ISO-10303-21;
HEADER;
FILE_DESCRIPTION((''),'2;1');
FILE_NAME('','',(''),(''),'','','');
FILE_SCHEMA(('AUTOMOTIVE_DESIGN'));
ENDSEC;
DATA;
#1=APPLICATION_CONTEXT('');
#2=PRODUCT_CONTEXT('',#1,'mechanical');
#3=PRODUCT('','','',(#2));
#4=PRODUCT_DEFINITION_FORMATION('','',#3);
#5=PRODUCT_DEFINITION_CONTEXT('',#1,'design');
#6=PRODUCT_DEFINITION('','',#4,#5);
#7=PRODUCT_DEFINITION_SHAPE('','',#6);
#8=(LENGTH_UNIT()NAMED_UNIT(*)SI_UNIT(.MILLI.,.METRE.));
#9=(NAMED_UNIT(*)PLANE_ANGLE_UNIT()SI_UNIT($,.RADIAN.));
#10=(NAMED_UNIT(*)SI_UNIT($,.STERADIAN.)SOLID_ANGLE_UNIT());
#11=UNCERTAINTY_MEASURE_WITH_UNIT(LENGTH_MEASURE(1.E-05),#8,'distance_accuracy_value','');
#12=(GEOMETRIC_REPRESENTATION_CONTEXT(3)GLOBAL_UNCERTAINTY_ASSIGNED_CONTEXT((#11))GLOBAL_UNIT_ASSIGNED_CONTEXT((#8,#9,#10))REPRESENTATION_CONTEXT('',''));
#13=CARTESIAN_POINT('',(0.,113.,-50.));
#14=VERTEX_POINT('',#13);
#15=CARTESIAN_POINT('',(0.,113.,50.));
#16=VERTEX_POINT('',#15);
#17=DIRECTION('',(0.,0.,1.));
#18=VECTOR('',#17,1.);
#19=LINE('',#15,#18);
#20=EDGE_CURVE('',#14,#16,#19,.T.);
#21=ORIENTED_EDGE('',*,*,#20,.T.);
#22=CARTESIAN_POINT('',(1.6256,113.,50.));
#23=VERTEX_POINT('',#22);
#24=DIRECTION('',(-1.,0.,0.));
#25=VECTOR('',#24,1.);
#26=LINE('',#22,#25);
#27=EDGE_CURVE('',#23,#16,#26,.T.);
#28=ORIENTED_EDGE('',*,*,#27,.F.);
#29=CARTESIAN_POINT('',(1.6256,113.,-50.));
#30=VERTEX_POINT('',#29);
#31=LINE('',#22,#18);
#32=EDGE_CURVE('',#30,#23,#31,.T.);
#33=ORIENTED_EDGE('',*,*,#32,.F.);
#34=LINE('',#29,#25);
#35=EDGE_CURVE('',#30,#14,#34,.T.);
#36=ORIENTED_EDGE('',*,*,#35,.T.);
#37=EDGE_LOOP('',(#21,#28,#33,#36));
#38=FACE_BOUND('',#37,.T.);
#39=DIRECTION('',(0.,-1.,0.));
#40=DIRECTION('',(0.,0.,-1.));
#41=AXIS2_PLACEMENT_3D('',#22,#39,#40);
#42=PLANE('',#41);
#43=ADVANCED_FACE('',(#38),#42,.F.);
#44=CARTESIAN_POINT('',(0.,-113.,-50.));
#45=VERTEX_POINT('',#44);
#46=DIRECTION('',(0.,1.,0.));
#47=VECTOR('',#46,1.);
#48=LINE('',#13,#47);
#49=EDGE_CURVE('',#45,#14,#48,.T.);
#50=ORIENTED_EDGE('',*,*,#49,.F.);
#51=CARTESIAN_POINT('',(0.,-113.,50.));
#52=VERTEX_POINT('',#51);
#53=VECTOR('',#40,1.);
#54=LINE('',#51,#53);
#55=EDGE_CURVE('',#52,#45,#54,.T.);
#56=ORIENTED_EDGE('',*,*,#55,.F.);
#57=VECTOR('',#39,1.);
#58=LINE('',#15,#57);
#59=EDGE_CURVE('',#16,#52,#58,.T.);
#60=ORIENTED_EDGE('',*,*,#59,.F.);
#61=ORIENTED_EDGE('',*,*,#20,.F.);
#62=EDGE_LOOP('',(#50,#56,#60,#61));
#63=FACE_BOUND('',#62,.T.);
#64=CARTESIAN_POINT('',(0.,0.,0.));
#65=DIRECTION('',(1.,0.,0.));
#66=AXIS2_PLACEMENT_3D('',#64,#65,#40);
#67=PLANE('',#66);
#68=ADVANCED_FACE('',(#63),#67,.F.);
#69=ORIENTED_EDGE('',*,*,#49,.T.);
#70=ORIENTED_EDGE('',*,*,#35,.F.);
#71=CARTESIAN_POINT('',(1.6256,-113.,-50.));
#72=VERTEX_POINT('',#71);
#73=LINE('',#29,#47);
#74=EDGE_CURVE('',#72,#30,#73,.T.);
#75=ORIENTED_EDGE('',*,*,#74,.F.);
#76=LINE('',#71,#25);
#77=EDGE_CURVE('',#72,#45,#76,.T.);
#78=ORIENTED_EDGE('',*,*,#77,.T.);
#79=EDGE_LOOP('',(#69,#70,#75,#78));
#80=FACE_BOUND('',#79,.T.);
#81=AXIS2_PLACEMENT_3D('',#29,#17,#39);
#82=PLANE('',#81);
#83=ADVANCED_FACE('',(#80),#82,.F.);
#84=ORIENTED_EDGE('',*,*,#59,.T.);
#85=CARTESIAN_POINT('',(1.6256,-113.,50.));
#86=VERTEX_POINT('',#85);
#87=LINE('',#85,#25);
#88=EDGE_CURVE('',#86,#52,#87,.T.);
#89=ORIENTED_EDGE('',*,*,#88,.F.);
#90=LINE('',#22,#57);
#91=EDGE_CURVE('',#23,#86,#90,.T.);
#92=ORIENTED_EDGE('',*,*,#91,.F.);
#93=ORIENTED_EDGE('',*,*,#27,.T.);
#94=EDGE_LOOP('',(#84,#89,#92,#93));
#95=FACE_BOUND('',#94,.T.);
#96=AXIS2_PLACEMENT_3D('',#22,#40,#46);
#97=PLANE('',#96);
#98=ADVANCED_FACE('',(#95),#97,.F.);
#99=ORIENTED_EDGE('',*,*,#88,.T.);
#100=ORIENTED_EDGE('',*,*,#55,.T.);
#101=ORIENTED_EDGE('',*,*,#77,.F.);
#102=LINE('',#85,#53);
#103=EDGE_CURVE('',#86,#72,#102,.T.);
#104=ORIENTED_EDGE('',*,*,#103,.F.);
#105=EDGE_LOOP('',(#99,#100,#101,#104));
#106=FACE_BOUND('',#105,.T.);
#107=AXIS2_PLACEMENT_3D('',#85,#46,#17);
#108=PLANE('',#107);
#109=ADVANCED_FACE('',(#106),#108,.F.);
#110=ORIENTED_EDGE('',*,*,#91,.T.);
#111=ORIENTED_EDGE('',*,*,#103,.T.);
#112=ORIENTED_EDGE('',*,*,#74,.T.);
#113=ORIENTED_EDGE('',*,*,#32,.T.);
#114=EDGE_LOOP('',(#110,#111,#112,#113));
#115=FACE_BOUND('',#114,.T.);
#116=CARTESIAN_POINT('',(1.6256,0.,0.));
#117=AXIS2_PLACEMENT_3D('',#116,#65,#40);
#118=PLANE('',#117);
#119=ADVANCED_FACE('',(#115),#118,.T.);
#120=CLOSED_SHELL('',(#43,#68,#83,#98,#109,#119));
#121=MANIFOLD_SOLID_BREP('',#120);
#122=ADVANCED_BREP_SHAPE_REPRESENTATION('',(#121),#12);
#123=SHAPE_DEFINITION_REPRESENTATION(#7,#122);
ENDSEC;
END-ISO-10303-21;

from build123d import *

# Parameters (mm, degrees)
SKETCH2_W           = 100
SKETCH2_H           = 226
BOSS_EXTRUDE1_DEPTH = 1.6256


with BuildPart() as part:
    # Sketch2 → Boss-Extrude1 (new body)
    with BuildSketch(Plane(origin=(0, 0, 0), x_dir=(0, 0, -1), z_dir=(1, 0, 0))):
        Rectangle(SKETCH2_W, SKETCH2_H)
    extrude(amount=BOSS_EXTRUDE1_DEPTH)


solid = part.part
